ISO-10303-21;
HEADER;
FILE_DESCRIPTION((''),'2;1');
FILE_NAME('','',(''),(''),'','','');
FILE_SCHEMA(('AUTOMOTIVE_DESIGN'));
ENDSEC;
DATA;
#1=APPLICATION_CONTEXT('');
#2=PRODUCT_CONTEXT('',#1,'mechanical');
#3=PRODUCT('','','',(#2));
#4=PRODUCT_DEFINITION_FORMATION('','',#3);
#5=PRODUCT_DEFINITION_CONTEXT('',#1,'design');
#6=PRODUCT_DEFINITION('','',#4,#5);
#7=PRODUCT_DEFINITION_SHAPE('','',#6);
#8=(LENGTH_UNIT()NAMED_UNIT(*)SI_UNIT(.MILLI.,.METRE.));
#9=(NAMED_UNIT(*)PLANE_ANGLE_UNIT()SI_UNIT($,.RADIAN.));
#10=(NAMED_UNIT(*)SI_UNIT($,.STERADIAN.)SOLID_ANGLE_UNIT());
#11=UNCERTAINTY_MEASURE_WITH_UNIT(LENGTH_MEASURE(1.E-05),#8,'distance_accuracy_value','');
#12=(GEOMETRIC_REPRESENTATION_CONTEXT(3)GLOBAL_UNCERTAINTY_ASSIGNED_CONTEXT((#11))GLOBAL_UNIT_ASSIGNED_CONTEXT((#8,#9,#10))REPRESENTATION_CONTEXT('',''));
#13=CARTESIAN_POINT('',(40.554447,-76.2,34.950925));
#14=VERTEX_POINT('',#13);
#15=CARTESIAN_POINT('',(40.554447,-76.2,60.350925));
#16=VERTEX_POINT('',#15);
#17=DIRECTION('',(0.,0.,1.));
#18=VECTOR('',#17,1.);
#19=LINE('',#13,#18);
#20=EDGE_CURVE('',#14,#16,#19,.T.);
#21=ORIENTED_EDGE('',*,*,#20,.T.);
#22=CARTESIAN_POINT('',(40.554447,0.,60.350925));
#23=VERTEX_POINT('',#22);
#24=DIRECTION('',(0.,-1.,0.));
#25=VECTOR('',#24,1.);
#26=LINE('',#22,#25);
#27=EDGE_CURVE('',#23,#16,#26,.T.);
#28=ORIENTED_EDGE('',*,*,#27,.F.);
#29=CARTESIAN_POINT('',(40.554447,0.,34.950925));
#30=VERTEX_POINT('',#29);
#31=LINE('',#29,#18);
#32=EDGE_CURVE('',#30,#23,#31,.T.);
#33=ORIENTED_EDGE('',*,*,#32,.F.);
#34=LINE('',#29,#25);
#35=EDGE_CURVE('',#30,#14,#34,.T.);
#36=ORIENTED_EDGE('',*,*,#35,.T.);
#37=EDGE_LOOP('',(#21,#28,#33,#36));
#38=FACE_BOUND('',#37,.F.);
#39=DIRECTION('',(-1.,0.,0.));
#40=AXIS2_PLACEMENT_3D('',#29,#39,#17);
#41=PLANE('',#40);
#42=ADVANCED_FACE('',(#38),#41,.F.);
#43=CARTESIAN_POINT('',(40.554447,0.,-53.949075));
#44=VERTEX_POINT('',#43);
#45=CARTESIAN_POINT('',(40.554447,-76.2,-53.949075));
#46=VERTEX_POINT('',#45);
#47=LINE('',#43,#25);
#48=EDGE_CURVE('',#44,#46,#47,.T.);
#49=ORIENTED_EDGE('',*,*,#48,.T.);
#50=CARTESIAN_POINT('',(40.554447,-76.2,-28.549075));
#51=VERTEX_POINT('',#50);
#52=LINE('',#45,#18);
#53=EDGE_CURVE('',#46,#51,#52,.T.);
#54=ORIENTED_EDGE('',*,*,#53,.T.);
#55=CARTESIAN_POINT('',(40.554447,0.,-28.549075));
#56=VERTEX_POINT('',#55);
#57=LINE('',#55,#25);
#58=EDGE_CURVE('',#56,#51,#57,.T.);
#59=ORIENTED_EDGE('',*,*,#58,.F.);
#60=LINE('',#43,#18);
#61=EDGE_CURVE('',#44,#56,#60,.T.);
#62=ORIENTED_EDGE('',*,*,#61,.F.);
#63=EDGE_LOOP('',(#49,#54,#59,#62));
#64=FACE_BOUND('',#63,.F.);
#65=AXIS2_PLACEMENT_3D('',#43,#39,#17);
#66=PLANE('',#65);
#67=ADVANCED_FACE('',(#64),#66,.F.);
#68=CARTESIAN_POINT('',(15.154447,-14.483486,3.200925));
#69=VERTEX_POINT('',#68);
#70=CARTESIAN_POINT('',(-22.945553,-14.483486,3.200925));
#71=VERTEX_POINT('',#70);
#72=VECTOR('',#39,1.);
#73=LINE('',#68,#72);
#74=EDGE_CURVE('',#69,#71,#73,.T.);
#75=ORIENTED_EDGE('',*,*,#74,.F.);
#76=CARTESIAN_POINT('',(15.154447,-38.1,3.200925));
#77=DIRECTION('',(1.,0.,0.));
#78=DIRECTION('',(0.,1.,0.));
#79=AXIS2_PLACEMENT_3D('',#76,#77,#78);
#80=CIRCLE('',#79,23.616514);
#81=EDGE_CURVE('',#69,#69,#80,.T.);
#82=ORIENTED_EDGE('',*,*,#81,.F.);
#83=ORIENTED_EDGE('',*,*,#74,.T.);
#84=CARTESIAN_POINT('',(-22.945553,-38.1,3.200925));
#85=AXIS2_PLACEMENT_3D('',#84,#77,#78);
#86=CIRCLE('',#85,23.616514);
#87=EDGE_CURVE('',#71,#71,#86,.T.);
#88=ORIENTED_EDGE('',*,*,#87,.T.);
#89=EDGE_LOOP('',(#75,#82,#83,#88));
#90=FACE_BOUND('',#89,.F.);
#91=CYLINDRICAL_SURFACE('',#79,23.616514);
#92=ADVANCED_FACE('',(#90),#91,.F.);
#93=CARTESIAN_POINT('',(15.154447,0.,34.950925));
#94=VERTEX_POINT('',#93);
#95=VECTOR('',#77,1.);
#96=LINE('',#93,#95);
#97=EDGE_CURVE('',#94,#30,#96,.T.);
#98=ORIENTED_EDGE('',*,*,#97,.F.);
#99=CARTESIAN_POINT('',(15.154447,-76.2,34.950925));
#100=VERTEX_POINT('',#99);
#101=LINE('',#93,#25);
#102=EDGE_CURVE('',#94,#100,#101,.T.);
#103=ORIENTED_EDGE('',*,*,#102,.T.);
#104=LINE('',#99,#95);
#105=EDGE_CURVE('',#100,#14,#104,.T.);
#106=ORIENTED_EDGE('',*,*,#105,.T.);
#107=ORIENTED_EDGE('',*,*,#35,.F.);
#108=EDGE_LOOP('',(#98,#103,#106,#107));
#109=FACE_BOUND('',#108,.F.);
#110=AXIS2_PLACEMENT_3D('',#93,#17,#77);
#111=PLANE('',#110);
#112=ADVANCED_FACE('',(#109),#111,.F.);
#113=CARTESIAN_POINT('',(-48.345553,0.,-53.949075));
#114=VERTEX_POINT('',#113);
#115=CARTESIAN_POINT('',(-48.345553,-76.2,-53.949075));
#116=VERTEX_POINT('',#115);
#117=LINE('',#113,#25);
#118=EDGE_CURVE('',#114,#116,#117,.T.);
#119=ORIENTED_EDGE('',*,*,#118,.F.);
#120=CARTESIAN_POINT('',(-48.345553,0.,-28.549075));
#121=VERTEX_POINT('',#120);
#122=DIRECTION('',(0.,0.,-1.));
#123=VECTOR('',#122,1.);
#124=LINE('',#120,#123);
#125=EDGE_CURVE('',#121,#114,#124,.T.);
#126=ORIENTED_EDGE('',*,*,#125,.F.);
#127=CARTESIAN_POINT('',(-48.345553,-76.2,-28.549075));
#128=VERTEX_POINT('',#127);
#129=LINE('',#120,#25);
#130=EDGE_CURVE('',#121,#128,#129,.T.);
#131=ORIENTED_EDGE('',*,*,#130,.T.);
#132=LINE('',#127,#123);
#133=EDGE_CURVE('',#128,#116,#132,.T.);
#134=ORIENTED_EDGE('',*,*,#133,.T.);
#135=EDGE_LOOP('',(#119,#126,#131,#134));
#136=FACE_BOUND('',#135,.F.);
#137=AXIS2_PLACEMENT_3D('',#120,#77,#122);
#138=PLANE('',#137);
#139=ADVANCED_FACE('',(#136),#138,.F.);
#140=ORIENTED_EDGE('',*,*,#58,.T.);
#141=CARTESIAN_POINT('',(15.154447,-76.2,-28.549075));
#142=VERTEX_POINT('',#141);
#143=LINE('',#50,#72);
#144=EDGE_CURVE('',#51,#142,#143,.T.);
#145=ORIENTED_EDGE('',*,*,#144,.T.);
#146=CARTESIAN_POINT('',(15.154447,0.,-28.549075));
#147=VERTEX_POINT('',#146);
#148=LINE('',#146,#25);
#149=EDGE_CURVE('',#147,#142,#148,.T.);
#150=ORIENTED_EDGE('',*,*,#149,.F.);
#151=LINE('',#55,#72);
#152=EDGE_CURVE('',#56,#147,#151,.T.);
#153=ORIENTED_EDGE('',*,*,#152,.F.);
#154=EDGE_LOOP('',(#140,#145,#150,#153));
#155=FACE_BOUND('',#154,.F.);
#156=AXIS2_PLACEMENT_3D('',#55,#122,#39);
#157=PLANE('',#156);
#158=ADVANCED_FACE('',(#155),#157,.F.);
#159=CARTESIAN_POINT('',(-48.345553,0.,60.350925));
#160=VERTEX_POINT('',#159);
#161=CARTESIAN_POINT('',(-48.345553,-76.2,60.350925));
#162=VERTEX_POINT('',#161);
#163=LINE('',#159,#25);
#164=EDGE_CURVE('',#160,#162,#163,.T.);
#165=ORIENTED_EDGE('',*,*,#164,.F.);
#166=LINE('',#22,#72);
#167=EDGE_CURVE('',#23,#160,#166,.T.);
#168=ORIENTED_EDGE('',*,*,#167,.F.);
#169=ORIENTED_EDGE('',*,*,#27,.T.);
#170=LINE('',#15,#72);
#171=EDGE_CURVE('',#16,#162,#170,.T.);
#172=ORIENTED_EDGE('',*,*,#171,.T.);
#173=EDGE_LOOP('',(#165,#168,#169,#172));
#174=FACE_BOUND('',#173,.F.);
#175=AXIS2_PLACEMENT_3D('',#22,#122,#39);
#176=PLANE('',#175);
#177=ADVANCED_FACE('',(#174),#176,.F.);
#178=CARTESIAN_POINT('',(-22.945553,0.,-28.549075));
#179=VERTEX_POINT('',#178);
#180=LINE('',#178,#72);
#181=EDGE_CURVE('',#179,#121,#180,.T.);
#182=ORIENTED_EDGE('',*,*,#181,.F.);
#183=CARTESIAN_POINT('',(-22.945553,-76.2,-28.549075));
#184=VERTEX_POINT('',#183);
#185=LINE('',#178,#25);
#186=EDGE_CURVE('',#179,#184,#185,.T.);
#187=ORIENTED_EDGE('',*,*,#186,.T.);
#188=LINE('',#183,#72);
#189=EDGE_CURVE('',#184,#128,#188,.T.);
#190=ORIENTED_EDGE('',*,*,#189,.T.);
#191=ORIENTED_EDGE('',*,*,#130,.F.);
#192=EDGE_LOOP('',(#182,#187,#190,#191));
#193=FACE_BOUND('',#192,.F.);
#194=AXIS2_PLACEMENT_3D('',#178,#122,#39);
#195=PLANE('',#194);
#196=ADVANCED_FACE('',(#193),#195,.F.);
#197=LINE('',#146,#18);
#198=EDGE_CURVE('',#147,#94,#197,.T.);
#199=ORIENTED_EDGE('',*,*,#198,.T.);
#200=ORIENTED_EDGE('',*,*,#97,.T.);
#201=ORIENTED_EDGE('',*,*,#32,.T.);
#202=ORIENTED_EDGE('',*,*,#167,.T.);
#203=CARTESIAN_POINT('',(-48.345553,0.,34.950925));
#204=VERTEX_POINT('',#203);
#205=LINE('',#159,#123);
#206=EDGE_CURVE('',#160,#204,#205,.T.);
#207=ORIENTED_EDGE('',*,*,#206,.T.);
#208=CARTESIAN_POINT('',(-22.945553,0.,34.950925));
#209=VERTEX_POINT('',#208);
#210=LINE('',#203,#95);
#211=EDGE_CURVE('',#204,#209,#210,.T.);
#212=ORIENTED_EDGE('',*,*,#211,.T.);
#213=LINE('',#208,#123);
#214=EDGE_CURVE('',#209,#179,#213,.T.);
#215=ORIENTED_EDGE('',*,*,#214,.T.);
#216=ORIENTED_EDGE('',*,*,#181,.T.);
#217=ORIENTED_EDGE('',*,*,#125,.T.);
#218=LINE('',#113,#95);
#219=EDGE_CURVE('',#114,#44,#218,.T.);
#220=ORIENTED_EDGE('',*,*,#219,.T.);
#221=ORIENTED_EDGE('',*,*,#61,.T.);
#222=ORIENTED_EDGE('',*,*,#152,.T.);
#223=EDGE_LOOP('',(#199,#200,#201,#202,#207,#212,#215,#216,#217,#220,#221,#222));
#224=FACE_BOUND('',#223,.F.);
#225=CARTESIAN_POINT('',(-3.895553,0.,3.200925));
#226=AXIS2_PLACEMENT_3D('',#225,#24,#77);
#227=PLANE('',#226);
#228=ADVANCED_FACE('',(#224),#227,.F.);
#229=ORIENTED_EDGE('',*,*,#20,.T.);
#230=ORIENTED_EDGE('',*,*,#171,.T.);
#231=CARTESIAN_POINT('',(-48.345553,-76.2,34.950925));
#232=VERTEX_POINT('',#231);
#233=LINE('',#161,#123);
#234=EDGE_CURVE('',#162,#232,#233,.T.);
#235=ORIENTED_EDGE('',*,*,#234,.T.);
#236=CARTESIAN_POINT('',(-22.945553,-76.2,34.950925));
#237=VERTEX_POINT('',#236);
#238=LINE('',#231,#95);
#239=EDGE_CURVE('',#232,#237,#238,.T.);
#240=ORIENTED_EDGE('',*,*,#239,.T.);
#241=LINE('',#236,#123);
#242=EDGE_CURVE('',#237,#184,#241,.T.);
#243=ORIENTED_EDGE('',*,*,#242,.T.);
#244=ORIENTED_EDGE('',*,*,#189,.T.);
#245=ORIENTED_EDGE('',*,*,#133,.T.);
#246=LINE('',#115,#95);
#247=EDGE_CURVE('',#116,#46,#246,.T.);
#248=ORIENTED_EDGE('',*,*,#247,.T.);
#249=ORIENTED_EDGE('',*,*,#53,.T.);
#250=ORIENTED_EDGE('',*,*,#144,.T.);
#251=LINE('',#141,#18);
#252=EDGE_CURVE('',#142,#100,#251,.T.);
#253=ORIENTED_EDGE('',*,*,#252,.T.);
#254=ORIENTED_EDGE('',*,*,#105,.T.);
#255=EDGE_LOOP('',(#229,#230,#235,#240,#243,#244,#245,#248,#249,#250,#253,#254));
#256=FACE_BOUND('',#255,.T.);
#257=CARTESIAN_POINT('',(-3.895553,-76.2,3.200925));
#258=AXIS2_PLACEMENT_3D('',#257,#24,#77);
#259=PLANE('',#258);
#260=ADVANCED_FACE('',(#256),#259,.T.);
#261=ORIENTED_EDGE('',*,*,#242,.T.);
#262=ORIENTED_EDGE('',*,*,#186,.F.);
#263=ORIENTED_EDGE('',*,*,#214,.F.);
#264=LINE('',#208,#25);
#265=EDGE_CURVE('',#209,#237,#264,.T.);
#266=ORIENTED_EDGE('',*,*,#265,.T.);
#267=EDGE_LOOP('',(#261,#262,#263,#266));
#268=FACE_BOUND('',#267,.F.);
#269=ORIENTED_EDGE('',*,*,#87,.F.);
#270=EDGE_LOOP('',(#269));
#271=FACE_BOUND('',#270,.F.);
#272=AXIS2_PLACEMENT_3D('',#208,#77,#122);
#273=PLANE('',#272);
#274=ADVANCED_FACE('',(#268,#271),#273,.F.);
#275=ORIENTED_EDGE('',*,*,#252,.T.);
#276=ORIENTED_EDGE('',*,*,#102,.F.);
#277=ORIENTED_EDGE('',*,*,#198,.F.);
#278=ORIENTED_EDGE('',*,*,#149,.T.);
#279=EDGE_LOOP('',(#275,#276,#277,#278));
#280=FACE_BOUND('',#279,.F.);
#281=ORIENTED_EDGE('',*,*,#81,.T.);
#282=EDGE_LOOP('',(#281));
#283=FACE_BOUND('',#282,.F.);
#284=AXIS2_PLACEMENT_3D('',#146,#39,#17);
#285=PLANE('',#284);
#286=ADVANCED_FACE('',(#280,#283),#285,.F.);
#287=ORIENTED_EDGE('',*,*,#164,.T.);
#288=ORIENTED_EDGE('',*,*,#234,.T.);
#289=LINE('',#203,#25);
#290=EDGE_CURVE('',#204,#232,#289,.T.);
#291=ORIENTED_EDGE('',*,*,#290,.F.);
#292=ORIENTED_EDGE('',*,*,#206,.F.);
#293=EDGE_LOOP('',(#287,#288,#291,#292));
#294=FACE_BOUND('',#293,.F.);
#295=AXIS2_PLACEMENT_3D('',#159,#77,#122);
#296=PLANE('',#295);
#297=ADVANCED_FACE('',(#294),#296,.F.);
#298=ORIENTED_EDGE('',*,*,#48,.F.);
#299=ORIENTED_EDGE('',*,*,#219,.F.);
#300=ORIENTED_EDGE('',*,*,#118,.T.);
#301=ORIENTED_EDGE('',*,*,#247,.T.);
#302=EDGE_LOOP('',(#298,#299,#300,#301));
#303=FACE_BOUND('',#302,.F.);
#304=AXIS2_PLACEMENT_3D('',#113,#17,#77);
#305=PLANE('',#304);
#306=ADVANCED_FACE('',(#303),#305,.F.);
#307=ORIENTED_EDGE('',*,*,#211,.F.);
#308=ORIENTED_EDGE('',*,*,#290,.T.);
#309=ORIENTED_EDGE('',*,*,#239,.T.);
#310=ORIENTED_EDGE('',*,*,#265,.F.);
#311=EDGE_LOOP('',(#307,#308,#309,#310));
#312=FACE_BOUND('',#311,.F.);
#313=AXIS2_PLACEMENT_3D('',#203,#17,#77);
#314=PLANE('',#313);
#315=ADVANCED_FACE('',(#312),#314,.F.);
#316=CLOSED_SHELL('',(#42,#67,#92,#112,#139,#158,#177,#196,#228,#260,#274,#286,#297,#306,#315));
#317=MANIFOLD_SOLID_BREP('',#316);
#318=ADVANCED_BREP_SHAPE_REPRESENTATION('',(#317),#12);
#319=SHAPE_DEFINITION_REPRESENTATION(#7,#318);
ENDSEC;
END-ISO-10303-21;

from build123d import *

# Parameters (mm, degrees)
F1_DEPTH = 76.2
F2_R     = 23.616514
F3_DEPTH = 63.501


with BuildPart() as f1:
    # F0 (on Front) → F1 (new body)
    with BuildSketch(Plane.XZ):
        Polygon((-48.345553, -28.549075), (-48.345553, -53.949075), (40.554447, -53.949075), (40.554447, -28.549075), (15.154447, -28.549075), (15.154447, 34.950925), (40.554447, 34.950925), (40.554447, 60.350925), (-48.345553, 60.350925), (-48.345553, 34.950925), (-22.945553, 34.950925), (-22.945553, -28.549075), align=None)
    extrude(amount=F1_DEPTH)

    # F2 (on face) → F3 (cut, through all)
    with BuildSketch(Plane.YZ.offset(15.154447)):
        with Locations((-38.1, 3.200925)):
            Circle(F2_R)
    extrude(amount=-F3_DEPTH, mode=Mode.SUBTRACT)


solid = f1.part
